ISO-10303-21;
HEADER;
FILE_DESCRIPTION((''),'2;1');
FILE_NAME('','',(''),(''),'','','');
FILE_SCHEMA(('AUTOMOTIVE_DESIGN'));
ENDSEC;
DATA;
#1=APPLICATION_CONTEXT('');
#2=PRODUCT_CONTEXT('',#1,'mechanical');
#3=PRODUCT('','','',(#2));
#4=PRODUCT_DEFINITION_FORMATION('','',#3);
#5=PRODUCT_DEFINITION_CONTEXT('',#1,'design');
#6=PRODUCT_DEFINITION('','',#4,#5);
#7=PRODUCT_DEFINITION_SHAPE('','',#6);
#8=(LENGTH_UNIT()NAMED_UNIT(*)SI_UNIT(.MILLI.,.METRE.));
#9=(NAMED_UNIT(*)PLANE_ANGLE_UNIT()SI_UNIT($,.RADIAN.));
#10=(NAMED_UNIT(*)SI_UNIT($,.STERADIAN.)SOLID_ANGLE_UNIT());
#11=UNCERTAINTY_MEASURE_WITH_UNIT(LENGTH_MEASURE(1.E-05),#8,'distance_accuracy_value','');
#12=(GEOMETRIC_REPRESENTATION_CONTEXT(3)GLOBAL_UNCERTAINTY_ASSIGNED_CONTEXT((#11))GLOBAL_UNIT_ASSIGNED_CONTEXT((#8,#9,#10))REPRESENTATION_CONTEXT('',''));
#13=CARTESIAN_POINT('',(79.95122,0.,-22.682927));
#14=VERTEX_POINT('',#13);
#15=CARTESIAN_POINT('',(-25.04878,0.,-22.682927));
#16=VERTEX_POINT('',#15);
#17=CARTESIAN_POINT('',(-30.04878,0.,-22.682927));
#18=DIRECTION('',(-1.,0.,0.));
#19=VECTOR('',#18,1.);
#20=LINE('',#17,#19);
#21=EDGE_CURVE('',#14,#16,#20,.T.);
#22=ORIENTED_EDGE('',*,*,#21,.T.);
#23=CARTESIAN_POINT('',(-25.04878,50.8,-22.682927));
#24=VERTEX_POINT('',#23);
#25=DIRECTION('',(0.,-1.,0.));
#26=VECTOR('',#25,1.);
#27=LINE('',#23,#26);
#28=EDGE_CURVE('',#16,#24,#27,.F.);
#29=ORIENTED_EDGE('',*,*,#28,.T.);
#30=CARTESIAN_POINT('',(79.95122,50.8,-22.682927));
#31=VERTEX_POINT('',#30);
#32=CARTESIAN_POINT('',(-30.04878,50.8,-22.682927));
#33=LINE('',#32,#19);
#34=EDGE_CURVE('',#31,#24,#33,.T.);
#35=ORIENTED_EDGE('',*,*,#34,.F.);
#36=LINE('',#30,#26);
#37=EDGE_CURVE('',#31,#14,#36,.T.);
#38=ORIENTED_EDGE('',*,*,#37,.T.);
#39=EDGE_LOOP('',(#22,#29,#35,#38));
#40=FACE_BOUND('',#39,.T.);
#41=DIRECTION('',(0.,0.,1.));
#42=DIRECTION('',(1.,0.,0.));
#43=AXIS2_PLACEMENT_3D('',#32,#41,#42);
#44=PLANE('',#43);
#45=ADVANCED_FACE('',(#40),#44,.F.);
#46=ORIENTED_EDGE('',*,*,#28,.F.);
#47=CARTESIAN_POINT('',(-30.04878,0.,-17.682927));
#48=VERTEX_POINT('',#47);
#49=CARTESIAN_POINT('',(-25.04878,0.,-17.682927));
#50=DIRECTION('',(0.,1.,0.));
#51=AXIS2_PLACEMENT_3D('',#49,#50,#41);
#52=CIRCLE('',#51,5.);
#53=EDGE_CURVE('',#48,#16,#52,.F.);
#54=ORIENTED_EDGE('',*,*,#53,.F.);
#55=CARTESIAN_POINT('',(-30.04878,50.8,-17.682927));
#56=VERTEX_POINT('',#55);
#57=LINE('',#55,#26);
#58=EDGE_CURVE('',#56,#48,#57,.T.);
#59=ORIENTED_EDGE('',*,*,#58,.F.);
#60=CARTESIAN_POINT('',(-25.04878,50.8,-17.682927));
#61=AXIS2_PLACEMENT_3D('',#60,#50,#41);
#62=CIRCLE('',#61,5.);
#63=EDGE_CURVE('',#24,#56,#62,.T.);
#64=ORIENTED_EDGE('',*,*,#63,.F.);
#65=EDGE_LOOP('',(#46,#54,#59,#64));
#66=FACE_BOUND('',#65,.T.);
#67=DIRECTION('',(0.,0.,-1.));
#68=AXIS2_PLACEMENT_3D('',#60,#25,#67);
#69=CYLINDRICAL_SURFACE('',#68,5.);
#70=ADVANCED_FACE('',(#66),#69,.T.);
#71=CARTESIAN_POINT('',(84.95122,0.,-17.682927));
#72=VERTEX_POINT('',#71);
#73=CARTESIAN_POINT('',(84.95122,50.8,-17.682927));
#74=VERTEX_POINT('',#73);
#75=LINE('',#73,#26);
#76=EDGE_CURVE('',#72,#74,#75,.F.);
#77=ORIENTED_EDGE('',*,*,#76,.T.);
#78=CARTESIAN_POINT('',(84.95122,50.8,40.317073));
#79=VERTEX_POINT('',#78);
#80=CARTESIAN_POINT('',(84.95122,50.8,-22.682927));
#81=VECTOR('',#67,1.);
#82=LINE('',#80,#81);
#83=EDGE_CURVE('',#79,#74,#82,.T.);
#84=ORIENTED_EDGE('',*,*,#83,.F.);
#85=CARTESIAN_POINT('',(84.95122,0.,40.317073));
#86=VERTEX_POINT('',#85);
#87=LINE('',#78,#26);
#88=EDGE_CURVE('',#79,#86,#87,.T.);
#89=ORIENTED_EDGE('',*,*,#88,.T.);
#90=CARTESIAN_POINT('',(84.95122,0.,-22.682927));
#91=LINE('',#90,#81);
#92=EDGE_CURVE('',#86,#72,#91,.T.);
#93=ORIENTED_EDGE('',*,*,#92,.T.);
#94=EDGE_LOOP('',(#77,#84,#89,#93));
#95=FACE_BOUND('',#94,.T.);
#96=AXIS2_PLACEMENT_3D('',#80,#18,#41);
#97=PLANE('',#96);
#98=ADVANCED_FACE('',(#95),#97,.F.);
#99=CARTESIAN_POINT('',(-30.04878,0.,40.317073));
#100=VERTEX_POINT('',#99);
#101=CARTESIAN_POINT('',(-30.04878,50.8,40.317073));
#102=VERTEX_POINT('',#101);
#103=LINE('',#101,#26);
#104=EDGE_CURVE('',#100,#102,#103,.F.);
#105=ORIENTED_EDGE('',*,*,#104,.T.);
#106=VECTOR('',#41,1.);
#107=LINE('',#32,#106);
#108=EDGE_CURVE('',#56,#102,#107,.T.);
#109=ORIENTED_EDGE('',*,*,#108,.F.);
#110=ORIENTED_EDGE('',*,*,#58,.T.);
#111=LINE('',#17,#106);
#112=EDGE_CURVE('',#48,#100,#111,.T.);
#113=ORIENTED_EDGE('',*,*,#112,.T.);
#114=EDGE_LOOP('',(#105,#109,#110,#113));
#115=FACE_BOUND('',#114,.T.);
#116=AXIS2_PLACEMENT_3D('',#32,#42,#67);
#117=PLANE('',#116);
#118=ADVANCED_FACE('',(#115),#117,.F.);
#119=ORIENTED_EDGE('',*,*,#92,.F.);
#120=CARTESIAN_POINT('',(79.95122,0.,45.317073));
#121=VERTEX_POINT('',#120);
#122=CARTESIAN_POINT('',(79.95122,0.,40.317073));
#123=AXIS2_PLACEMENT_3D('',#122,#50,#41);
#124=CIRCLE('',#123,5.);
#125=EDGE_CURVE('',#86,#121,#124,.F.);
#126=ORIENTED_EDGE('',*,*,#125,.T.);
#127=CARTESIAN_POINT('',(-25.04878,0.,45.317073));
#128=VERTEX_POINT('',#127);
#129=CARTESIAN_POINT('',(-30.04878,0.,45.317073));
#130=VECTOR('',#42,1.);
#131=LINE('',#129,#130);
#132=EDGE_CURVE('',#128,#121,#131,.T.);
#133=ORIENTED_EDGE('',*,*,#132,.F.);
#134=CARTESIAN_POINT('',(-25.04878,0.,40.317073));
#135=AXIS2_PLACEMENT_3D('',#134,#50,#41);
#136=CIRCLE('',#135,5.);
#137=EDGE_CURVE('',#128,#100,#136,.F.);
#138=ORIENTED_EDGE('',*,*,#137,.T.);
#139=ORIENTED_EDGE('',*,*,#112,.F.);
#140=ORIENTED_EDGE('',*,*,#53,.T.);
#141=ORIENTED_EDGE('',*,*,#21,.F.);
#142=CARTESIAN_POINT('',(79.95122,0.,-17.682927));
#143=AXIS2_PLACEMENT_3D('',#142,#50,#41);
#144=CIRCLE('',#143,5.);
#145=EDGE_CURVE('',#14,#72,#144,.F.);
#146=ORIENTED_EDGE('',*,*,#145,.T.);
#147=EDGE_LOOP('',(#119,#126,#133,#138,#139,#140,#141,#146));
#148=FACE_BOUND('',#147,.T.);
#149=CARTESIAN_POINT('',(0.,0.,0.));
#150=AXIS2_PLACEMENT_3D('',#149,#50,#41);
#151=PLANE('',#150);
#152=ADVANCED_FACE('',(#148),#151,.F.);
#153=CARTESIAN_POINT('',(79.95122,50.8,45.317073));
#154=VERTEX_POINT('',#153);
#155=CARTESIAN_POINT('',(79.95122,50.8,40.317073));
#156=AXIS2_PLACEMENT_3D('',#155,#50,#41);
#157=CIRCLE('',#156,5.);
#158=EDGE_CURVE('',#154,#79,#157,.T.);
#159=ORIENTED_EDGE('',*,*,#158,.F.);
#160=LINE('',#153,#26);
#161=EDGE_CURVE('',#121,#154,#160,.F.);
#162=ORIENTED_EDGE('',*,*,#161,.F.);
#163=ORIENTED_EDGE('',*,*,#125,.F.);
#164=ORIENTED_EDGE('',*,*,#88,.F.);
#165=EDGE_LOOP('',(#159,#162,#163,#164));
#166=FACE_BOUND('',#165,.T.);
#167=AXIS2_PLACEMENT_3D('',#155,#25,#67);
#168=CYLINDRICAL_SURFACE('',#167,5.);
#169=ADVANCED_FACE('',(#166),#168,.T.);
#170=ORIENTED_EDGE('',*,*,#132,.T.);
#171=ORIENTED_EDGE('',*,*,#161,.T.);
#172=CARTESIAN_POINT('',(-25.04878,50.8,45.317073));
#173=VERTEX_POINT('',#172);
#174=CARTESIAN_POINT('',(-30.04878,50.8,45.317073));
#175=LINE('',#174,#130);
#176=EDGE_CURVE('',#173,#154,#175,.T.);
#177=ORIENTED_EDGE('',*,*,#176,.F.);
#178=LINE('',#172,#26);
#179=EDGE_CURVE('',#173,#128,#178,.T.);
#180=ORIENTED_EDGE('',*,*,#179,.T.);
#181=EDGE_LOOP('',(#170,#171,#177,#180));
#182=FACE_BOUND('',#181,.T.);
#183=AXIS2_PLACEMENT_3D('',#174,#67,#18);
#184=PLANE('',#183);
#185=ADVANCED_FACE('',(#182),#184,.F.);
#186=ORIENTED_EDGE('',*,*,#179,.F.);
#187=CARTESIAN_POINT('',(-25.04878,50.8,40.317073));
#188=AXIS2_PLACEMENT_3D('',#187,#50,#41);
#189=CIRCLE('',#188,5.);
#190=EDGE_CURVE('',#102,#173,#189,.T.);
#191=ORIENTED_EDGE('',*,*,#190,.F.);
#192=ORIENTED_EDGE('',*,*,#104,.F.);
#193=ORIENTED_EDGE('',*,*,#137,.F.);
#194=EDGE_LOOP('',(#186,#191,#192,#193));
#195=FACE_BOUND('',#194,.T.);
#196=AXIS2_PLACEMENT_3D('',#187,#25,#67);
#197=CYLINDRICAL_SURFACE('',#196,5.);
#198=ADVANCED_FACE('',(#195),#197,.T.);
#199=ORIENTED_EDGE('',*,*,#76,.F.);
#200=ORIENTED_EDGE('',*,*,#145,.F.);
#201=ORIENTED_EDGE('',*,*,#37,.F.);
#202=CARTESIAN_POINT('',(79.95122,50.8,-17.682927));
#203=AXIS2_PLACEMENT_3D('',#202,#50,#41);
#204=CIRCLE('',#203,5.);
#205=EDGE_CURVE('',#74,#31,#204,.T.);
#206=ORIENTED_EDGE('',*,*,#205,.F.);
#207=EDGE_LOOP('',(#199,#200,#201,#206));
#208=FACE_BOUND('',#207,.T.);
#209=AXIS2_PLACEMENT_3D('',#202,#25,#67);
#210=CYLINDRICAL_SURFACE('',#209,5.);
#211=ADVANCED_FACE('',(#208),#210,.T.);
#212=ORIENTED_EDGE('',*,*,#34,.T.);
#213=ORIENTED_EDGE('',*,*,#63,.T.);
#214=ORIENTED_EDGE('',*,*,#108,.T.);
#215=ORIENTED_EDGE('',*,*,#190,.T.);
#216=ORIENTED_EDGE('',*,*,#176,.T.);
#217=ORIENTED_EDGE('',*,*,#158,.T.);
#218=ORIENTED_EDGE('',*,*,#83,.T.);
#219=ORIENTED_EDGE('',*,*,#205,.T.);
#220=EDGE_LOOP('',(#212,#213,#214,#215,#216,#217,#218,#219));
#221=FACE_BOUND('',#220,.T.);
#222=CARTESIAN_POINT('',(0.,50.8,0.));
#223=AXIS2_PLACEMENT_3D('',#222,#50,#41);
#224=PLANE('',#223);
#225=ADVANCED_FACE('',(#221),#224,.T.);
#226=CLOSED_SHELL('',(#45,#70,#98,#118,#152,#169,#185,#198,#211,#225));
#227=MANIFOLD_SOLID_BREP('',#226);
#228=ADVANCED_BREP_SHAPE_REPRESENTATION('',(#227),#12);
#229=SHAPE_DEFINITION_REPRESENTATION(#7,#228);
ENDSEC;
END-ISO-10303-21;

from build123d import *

# Parameters (mm, degrees)
SKETCH2_W           = 115
SKETCH2_H           = 68
BOSS_EXTRUDE1_DEPTH = 50.8
FILLET1_R           = 5


with BuildPart() as part:
    # Sketch2 → Boss-Extrude1 (new body)
    with BuildSketch(Plane(origin=(0, 0, 0), x_dir=(1, 0, 0), z_dir=(0, 1, 0))):
        with Locations((27.451219512, -11.317073171)):
            Rectangle(SKETCH2_W, SKETCH2_H)
    extrude(amount=BOSS_EXTRUDE1_DEPTH)

    # Fillet1
    fillet1_edges = [part.edges().sort_by_distance(p)[0] for p in [
        (-30.048780488, 25.4, -22.682926829),
        (84.951219512, 25.4, -22.682926829),
        (84.951219512, 25.4, 45.317073171),
        (-30.048780488, 25.4, 45.317073171),
    ]]
    fillet(fillet1_edges, radius=FILLET1_R)


solid = part.part
